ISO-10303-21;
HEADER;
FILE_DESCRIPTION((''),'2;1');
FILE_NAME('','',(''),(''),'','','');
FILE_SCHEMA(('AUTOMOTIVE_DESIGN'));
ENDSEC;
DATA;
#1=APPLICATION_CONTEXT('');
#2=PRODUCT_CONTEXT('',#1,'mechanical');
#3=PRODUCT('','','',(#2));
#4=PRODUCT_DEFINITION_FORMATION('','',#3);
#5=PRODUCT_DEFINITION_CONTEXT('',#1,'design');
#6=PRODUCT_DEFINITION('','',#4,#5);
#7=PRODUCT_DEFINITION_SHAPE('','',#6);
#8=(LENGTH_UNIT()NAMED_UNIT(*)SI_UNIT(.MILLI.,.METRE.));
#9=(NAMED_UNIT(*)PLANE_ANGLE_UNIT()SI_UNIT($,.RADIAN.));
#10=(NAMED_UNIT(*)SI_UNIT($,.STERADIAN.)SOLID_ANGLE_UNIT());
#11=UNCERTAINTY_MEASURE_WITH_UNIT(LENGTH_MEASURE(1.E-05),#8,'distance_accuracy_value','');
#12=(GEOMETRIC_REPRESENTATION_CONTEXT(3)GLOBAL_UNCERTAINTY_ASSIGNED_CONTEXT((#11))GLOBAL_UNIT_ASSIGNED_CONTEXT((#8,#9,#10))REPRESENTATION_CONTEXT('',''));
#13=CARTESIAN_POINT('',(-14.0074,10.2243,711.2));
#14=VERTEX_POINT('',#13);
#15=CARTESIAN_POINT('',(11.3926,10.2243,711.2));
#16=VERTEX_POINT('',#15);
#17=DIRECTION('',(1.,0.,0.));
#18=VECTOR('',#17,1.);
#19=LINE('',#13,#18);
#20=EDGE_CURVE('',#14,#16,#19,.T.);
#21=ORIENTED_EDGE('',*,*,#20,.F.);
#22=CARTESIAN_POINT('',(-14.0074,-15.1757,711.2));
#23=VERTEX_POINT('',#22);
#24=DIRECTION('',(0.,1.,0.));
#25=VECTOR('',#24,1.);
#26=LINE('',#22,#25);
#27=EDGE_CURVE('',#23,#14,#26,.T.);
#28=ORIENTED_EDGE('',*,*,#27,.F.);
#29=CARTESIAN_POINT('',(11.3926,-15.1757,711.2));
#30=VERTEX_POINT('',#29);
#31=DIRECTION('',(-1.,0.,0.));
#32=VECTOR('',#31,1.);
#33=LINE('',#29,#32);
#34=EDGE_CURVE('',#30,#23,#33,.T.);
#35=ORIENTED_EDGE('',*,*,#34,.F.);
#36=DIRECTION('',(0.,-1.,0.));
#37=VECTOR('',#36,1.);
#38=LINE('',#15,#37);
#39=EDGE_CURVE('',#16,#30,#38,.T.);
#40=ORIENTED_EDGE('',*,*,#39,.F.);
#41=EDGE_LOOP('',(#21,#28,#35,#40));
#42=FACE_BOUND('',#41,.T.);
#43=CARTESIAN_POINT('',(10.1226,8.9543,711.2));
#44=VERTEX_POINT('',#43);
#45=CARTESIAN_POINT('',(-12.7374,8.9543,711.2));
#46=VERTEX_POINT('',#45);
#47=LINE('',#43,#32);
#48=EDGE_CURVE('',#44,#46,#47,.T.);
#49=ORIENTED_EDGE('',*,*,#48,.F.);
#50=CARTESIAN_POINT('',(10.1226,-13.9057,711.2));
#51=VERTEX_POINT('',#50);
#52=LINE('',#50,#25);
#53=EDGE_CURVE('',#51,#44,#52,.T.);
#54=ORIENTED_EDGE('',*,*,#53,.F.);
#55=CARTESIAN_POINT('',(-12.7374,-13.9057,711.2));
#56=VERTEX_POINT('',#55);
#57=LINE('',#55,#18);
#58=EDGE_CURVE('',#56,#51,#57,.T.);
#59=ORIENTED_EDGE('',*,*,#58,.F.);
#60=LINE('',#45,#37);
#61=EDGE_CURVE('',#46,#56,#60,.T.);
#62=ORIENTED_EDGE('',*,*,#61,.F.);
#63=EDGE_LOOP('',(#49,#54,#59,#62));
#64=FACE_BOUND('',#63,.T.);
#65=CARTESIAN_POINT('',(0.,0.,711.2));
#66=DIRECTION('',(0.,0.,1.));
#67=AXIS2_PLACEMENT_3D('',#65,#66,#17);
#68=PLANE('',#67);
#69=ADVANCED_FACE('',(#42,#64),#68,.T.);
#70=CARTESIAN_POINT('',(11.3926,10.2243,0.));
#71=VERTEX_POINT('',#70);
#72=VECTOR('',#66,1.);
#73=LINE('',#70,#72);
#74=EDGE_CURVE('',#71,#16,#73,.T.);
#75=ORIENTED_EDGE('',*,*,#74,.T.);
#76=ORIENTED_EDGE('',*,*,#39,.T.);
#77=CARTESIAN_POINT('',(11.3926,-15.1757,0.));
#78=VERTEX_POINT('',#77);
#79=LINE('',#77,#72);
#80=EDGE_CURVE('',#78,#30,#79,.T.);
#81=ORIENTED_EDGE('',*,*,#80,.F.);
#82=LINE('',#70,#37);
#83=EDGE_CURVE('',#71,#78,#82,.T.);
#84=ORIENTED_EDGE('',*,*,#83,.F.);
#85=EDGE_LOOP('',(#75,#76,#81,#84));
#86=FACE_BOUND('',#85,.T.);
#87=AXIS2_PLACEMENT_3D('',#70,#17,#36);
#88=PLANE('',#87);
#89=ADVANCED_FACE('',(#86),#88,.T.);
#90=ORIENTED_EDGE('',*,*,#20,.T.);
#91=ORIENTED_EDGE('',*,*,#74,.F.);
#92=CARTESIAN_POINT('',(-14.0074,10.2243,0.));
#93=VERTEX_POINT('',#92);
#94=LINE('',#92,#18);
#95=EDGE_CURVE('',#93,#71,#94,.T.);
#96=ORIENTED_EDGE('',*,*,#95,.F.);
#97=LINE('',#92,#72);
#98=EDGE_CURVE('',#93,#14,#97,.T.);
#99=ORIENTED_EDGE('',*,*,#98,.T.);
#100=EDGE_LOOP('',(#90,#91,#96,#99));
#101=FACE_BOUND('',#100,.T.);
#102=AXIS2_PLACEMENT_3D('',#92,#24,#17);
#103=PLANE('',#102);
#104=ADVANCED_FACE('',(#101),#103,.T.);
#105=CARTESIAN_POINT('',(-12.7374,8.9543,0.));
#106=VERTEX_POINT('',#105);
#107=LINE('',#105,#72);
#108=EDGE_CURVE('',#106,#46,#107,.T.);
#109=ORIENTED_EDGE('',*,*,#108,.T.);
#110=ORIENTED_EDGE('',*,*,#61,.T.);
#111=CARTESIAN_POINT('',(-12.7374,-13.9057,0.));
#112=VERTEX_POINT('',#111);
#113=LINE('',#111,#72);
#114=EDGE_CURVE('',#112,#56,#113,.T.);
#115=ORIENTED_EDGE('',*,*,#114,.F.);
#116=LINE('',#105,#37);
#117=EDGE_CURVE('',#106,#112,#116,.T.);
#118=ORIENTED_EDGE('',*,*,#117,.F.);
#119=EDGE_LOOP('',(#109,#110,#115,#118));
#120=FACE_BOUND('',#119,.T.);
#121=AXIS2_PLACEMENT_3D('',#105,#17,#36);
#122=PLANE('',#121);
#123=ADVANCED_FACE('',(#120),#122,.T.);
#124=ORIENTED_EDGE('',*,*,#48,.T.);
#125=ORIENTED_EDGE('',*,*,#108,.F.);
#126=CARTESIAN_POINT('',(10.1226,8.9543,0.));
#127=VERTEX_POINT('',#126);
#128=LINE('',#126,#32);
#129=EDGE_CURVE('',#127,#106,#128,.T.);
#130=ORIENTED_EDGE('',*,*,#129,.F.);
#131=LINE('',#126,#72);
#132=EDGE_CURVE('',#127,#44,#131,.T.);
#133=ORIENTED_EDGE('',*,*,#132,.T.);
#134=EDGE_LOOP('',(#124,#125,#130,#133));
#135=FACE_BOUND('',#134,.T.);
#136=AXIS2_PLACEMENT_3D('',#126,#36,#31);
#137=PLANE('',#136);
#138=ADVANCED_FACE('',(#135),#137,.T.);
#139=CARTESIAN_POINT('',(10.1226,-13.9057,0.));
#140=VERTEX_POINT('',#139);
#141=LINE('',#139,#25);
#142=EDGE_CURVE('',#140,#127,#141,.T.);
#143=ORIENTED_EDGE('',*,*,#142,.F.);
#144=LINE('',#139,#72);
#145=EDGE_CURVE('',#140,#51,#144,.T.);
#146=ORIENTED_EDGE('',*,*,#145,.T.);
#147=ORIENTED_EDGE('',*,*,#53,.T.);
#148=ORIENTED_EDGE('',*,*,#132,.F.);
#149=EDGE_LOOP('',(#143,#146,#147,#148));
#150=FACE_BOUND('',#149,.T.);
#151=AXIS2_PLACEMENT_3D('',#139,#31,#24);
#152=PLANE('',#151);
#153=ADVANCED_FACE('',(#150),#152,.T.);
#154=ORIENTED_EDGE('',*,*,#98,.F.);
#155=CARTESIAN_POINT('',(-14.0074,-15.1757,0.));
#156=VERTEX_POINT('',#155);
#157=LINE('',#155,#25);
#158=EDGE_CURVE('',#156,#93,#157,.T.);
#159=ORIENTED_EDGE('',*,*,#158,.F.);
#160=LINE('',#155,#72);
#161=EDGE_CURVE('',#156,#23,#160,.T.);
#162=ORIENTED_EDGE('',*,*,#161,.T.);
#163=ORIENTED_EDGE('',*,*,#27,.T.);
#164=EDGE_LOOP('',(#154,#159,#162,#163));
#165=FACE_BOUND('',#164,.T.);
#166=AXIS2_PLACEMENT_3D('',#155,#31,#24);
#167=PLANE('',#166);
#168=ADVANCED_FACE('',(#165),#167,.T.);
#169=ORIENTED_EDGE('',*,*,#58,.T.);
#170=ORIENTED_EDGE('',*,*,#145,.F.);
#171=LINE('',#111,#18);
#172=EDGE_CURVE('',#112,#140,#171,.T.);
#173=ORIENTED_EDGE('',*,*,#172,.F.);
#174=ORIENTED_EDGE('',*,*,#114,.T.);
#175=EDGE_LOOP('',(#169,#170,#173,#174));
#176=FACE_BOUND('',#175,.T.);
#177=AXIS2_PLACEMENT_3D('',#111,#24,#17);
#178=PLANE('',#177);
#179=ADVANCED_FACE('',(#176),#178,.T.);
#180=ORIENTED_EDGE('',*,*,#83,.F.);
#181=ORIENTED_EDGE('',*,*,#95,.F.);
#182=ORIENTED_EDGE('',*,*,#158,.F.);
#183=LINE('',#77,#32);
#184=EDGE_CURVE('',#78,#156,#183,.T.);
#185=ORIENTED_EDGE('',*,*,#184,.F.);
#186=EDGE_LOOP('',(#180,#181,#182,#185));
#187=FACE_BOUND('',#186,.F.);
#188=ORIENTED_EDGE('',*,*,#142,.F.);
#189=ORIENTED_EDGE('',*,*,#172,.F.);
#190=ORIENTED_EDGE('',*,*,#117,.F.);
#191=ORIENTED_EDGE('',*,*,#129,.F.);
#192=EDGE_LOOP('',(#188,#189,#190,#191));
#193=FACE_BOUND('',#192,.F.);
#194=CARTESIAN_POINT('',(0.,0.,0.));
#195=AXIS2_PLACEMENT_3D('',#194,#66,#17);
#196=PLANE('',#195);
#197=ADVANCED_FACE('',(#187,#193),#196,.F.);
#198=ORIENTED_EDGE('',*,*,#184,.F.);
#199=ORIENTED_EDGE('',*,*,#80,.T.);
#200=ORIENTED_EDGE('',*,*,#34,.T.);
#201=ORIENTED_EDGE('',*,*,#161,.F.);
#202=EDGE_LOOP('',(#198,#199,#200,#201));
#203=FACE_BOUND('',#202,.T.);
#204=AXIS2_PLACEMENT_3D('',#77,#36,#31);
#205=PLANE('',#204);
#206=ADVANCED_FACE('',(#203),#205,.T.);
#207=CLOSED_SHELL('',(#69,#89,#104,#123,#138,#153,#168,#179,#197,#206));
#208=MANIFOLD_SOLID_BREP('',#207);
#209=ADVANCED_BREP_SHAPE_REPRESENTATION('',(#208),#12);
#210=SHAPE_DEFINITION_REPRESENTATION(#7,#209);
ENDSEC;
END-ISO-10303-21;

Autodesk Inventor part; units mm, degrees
ref_plane "YZ Plane" through (0, 0, 0) normal (1, 0, 0) x (0, 1, 0)
ref_plane "XZ Plane" through (0, 0, 0) normal (0, 1, 0) x (-1, 0, 0)
ref_plane "XY Plane" through (0, 0, 0) normal (0, 0, 1) x (1, 0, 0)
sketch "Sketch1" plane through (0, 0, 0) normal (0, 0, 1) x (1, 0, 0)
  line L0 (-14.0074, 10.2243) -> (11.3926, 10.2243)
  line L1 (11.3926, 10.2243) -> (11.3926, -15.1757)
  line L2 (11.3926, -15.1757) -> (-14.0074, -15.1757)
  line L3 (-14.0074, -15.1757) -> (-14.0074, 10.2243)
  line L4 (10.1226, 8.9543) -> (-12.7374, 8.9543)
  line L5 (-12.7374, 8.9543) -> (-12.7374, -13.9057)
  line L6 (-12.7374, -13.9057) -> (10.1226, -13.9057)
  line L7 (10.1226, -13.9057) -> (10.1226, 8.9543)
  point P0 (0, 0)
  dimension "d0" = 25.4
  dimension "d1" = 1.27
extrude "Extrusion1" add sketch "Sketch1" along normal blind 711.2
properties part number "1x1 Stock 28in"
